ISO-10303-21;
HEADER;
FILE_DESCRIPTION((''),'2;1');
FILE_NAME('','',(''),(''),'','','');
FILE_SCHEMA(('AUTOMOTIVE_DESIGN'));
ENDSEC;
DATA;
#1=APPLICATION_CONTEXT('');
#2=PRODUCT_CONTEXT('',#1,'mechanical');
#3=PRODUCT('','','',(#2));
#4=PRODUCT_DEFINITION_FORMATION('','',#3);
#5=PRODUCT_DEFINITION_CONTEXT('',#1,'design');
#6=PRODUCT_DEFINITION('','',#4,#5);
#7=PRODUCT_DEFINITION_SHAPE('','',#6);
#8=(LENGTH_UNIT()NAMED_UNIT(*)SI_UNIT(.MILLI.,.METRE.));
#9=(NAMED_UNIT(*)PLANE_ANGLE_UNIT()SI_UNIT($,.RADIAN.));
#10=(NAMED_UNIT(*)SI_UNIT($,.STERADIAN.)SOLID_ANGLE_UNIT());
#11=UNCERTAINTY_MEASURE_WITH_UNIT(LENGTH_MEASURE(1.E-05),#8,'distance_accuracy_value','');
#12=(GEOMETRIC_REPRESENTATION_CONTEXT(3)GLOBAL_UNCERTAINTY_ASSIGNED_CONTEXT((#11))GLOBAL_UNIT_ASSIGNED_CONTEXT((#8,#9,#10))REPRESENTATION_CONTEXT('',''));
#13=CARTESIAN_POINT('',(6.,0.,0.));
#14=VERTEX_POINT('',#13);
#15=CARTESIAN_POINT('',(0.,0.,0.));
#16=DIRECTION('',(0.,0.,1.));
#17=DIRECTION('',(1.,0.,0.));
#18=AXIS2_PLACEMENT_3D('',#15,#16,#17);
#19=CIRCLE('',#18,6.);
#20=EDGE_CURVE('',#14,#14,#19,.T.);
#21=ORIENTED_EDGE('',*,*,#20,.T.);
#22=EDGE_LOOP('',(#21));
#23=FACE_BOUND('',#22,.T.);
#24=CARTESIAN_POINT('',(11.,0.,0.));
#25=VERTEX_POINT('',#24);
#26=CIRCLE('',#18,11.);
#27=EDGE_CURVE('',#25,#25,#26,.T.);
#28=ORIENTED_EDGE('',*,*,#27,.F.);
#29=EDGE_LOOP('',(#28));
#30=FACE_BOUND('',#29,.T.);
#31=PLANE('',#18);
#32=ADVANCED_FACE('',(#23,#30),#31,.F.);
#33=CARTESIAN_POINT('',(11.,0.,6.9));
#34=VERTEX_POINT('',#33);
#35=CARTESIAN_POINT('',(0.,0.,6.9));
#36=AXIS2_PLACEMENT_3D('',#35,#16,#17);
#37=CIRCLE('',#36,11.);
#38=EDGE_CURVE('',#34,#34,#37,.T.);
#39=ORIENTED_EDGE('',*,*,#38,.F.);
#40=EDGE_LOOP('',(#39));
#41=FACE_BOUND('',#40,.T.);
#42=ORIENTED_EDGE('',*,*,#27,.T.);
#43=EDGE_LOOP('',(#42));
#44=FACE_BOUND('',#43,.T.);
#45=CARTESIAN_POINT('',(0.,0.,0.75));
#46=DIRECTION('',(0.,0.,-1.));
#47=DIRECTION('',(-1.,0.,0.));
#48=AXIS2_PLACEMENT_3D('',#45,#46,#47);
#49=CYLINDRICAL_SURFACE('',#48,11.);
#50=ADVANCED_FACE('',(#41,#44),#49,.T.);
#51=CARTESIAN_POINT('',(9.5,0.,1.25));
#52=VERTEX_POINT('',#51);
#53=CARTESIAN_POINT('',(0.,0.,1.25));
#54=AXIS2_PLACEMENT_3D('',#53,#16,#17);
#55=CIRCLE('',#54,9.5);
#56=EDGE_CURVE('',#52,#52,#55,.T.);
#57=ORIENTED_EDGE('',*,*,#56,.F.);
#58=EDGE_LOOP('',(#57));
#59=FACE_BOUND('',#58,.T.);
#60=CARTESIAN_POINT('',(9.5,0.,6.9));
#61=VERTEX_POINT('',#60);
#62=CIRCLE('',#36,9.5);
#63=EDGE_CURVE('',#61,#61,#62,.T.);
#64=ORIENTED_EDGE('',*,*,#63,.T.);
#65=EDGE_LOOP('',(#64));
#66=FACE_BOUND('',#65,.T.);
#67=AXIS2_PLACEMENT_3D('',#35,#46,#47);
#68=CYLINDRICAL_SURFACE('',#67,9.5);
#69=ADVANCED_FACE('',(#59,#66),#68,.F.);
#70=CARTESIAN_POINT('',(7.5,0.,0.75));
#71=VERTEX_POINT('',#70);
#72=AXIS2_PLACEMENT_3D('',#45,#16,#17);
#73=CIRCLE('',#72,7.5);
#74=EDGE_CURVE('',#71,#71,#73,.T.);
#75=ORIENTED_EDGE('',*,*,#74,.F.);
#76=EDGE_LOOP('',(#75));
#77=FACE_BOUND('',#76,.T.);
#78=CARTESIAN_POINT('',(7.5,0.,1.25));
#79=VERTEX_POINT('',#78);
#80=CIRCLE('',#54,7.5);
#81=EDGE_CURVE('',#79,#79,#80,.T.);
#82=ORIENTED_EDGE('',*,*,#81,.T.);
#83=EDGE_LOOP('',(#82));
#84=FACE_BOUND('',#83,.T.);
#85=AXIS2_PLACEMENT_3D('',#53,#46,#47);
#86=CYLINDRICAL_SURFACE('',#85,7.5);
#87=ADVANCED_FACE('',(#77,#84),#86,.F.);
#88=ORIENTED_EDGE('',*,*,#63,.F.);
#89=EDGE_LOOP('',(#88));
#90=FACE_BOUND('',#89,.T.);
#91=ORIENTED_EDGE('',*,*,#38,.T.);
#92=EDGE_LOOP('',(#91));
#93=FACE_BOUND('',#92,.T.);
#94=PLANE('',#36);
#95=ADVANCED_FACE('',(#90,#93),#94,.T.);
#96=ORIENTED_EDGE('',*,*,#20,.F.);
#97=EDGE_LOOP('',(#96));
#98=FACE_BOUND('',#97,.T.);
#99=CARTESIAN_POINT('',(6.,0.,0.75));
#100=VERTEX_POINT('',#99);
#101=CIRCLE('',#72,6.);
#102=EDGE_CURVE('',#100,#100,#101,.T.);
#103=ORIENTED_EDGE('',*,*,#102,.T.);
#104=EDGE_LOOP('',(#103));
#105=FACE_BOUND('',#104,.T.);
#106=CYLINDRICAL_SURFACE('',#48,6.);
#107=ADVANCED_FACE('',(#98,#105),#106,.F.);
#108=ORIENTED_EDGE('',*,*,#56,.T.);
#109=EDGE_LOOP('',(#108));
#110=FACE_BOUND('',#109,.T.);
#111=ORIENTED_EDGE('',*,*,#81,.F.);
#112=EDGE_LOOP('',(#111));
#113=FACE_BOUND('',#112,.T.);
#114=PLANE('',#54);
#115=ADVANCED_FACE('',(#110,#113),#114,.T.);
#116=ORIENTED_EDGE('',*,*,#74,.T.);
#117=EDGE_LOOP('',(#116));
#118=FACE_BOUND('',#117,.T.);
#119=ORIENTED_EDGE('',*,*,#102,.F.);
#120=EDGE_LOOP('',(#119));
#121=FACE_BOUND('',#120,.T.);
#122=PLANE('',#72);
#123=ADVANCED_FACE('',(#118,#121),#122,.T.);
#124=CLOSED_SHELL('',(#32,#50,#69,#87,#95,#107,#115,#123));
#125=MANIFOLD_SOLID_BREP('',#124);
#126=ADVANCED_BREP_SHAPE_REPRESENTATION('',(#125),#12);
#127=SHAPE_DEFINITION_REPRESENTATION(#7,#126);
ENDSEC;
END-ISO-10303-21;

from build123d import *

# Parameters (mm, degrees)
SKETCH1_R           = 11
SKETCH1_R_2         = 6
BOSS_EXTRUDE1_DEPTH = 0.75
SKETCH2_R           = 11
SKETCH2_R_2         = 7.5
BOSS_EXTRUDE2_DEPTH = 0.5
SKETCH3_R           = 11
SKETCH3_R_2         = 9.5
BOSS_EXTRUDE3_DEPTH = 5.65


with BuildPart() as part:
    # Sketch1 → Boss-Extrude1 (new body)
    with BuildSketch(Plane.XY):
        Circle(SKETCH1_R)
        Circle(SKETCH1_R_2, mode=Mode.SUBTRACT)
    extrude(amount=BOSS_EXTRUDE1_DEPTH)

    # Sketch2 → Boss-Extrude2 (add)
    with BuildSketch(Plane.XY.offset(0.75)):
        Circle(SKETCH2_R)
        Circle(SKETCH2_R_2, mode=Mode.SUBTRACT)
    extrude(amount=BOSS_EXTRUDE2_DEPTH)

    # Sketch3 → Boss-Extrude3 (add)
    with BuildSketch(Plane.XY.offset(1.25)):
        Circle(SKETCH3_R)
        Circle(SKETCH3_R_2, mode=Mode.SUBTRACT)
    extrude(amount=BOSS_EXTRUDE3_DEPTH)


solid = part.part
